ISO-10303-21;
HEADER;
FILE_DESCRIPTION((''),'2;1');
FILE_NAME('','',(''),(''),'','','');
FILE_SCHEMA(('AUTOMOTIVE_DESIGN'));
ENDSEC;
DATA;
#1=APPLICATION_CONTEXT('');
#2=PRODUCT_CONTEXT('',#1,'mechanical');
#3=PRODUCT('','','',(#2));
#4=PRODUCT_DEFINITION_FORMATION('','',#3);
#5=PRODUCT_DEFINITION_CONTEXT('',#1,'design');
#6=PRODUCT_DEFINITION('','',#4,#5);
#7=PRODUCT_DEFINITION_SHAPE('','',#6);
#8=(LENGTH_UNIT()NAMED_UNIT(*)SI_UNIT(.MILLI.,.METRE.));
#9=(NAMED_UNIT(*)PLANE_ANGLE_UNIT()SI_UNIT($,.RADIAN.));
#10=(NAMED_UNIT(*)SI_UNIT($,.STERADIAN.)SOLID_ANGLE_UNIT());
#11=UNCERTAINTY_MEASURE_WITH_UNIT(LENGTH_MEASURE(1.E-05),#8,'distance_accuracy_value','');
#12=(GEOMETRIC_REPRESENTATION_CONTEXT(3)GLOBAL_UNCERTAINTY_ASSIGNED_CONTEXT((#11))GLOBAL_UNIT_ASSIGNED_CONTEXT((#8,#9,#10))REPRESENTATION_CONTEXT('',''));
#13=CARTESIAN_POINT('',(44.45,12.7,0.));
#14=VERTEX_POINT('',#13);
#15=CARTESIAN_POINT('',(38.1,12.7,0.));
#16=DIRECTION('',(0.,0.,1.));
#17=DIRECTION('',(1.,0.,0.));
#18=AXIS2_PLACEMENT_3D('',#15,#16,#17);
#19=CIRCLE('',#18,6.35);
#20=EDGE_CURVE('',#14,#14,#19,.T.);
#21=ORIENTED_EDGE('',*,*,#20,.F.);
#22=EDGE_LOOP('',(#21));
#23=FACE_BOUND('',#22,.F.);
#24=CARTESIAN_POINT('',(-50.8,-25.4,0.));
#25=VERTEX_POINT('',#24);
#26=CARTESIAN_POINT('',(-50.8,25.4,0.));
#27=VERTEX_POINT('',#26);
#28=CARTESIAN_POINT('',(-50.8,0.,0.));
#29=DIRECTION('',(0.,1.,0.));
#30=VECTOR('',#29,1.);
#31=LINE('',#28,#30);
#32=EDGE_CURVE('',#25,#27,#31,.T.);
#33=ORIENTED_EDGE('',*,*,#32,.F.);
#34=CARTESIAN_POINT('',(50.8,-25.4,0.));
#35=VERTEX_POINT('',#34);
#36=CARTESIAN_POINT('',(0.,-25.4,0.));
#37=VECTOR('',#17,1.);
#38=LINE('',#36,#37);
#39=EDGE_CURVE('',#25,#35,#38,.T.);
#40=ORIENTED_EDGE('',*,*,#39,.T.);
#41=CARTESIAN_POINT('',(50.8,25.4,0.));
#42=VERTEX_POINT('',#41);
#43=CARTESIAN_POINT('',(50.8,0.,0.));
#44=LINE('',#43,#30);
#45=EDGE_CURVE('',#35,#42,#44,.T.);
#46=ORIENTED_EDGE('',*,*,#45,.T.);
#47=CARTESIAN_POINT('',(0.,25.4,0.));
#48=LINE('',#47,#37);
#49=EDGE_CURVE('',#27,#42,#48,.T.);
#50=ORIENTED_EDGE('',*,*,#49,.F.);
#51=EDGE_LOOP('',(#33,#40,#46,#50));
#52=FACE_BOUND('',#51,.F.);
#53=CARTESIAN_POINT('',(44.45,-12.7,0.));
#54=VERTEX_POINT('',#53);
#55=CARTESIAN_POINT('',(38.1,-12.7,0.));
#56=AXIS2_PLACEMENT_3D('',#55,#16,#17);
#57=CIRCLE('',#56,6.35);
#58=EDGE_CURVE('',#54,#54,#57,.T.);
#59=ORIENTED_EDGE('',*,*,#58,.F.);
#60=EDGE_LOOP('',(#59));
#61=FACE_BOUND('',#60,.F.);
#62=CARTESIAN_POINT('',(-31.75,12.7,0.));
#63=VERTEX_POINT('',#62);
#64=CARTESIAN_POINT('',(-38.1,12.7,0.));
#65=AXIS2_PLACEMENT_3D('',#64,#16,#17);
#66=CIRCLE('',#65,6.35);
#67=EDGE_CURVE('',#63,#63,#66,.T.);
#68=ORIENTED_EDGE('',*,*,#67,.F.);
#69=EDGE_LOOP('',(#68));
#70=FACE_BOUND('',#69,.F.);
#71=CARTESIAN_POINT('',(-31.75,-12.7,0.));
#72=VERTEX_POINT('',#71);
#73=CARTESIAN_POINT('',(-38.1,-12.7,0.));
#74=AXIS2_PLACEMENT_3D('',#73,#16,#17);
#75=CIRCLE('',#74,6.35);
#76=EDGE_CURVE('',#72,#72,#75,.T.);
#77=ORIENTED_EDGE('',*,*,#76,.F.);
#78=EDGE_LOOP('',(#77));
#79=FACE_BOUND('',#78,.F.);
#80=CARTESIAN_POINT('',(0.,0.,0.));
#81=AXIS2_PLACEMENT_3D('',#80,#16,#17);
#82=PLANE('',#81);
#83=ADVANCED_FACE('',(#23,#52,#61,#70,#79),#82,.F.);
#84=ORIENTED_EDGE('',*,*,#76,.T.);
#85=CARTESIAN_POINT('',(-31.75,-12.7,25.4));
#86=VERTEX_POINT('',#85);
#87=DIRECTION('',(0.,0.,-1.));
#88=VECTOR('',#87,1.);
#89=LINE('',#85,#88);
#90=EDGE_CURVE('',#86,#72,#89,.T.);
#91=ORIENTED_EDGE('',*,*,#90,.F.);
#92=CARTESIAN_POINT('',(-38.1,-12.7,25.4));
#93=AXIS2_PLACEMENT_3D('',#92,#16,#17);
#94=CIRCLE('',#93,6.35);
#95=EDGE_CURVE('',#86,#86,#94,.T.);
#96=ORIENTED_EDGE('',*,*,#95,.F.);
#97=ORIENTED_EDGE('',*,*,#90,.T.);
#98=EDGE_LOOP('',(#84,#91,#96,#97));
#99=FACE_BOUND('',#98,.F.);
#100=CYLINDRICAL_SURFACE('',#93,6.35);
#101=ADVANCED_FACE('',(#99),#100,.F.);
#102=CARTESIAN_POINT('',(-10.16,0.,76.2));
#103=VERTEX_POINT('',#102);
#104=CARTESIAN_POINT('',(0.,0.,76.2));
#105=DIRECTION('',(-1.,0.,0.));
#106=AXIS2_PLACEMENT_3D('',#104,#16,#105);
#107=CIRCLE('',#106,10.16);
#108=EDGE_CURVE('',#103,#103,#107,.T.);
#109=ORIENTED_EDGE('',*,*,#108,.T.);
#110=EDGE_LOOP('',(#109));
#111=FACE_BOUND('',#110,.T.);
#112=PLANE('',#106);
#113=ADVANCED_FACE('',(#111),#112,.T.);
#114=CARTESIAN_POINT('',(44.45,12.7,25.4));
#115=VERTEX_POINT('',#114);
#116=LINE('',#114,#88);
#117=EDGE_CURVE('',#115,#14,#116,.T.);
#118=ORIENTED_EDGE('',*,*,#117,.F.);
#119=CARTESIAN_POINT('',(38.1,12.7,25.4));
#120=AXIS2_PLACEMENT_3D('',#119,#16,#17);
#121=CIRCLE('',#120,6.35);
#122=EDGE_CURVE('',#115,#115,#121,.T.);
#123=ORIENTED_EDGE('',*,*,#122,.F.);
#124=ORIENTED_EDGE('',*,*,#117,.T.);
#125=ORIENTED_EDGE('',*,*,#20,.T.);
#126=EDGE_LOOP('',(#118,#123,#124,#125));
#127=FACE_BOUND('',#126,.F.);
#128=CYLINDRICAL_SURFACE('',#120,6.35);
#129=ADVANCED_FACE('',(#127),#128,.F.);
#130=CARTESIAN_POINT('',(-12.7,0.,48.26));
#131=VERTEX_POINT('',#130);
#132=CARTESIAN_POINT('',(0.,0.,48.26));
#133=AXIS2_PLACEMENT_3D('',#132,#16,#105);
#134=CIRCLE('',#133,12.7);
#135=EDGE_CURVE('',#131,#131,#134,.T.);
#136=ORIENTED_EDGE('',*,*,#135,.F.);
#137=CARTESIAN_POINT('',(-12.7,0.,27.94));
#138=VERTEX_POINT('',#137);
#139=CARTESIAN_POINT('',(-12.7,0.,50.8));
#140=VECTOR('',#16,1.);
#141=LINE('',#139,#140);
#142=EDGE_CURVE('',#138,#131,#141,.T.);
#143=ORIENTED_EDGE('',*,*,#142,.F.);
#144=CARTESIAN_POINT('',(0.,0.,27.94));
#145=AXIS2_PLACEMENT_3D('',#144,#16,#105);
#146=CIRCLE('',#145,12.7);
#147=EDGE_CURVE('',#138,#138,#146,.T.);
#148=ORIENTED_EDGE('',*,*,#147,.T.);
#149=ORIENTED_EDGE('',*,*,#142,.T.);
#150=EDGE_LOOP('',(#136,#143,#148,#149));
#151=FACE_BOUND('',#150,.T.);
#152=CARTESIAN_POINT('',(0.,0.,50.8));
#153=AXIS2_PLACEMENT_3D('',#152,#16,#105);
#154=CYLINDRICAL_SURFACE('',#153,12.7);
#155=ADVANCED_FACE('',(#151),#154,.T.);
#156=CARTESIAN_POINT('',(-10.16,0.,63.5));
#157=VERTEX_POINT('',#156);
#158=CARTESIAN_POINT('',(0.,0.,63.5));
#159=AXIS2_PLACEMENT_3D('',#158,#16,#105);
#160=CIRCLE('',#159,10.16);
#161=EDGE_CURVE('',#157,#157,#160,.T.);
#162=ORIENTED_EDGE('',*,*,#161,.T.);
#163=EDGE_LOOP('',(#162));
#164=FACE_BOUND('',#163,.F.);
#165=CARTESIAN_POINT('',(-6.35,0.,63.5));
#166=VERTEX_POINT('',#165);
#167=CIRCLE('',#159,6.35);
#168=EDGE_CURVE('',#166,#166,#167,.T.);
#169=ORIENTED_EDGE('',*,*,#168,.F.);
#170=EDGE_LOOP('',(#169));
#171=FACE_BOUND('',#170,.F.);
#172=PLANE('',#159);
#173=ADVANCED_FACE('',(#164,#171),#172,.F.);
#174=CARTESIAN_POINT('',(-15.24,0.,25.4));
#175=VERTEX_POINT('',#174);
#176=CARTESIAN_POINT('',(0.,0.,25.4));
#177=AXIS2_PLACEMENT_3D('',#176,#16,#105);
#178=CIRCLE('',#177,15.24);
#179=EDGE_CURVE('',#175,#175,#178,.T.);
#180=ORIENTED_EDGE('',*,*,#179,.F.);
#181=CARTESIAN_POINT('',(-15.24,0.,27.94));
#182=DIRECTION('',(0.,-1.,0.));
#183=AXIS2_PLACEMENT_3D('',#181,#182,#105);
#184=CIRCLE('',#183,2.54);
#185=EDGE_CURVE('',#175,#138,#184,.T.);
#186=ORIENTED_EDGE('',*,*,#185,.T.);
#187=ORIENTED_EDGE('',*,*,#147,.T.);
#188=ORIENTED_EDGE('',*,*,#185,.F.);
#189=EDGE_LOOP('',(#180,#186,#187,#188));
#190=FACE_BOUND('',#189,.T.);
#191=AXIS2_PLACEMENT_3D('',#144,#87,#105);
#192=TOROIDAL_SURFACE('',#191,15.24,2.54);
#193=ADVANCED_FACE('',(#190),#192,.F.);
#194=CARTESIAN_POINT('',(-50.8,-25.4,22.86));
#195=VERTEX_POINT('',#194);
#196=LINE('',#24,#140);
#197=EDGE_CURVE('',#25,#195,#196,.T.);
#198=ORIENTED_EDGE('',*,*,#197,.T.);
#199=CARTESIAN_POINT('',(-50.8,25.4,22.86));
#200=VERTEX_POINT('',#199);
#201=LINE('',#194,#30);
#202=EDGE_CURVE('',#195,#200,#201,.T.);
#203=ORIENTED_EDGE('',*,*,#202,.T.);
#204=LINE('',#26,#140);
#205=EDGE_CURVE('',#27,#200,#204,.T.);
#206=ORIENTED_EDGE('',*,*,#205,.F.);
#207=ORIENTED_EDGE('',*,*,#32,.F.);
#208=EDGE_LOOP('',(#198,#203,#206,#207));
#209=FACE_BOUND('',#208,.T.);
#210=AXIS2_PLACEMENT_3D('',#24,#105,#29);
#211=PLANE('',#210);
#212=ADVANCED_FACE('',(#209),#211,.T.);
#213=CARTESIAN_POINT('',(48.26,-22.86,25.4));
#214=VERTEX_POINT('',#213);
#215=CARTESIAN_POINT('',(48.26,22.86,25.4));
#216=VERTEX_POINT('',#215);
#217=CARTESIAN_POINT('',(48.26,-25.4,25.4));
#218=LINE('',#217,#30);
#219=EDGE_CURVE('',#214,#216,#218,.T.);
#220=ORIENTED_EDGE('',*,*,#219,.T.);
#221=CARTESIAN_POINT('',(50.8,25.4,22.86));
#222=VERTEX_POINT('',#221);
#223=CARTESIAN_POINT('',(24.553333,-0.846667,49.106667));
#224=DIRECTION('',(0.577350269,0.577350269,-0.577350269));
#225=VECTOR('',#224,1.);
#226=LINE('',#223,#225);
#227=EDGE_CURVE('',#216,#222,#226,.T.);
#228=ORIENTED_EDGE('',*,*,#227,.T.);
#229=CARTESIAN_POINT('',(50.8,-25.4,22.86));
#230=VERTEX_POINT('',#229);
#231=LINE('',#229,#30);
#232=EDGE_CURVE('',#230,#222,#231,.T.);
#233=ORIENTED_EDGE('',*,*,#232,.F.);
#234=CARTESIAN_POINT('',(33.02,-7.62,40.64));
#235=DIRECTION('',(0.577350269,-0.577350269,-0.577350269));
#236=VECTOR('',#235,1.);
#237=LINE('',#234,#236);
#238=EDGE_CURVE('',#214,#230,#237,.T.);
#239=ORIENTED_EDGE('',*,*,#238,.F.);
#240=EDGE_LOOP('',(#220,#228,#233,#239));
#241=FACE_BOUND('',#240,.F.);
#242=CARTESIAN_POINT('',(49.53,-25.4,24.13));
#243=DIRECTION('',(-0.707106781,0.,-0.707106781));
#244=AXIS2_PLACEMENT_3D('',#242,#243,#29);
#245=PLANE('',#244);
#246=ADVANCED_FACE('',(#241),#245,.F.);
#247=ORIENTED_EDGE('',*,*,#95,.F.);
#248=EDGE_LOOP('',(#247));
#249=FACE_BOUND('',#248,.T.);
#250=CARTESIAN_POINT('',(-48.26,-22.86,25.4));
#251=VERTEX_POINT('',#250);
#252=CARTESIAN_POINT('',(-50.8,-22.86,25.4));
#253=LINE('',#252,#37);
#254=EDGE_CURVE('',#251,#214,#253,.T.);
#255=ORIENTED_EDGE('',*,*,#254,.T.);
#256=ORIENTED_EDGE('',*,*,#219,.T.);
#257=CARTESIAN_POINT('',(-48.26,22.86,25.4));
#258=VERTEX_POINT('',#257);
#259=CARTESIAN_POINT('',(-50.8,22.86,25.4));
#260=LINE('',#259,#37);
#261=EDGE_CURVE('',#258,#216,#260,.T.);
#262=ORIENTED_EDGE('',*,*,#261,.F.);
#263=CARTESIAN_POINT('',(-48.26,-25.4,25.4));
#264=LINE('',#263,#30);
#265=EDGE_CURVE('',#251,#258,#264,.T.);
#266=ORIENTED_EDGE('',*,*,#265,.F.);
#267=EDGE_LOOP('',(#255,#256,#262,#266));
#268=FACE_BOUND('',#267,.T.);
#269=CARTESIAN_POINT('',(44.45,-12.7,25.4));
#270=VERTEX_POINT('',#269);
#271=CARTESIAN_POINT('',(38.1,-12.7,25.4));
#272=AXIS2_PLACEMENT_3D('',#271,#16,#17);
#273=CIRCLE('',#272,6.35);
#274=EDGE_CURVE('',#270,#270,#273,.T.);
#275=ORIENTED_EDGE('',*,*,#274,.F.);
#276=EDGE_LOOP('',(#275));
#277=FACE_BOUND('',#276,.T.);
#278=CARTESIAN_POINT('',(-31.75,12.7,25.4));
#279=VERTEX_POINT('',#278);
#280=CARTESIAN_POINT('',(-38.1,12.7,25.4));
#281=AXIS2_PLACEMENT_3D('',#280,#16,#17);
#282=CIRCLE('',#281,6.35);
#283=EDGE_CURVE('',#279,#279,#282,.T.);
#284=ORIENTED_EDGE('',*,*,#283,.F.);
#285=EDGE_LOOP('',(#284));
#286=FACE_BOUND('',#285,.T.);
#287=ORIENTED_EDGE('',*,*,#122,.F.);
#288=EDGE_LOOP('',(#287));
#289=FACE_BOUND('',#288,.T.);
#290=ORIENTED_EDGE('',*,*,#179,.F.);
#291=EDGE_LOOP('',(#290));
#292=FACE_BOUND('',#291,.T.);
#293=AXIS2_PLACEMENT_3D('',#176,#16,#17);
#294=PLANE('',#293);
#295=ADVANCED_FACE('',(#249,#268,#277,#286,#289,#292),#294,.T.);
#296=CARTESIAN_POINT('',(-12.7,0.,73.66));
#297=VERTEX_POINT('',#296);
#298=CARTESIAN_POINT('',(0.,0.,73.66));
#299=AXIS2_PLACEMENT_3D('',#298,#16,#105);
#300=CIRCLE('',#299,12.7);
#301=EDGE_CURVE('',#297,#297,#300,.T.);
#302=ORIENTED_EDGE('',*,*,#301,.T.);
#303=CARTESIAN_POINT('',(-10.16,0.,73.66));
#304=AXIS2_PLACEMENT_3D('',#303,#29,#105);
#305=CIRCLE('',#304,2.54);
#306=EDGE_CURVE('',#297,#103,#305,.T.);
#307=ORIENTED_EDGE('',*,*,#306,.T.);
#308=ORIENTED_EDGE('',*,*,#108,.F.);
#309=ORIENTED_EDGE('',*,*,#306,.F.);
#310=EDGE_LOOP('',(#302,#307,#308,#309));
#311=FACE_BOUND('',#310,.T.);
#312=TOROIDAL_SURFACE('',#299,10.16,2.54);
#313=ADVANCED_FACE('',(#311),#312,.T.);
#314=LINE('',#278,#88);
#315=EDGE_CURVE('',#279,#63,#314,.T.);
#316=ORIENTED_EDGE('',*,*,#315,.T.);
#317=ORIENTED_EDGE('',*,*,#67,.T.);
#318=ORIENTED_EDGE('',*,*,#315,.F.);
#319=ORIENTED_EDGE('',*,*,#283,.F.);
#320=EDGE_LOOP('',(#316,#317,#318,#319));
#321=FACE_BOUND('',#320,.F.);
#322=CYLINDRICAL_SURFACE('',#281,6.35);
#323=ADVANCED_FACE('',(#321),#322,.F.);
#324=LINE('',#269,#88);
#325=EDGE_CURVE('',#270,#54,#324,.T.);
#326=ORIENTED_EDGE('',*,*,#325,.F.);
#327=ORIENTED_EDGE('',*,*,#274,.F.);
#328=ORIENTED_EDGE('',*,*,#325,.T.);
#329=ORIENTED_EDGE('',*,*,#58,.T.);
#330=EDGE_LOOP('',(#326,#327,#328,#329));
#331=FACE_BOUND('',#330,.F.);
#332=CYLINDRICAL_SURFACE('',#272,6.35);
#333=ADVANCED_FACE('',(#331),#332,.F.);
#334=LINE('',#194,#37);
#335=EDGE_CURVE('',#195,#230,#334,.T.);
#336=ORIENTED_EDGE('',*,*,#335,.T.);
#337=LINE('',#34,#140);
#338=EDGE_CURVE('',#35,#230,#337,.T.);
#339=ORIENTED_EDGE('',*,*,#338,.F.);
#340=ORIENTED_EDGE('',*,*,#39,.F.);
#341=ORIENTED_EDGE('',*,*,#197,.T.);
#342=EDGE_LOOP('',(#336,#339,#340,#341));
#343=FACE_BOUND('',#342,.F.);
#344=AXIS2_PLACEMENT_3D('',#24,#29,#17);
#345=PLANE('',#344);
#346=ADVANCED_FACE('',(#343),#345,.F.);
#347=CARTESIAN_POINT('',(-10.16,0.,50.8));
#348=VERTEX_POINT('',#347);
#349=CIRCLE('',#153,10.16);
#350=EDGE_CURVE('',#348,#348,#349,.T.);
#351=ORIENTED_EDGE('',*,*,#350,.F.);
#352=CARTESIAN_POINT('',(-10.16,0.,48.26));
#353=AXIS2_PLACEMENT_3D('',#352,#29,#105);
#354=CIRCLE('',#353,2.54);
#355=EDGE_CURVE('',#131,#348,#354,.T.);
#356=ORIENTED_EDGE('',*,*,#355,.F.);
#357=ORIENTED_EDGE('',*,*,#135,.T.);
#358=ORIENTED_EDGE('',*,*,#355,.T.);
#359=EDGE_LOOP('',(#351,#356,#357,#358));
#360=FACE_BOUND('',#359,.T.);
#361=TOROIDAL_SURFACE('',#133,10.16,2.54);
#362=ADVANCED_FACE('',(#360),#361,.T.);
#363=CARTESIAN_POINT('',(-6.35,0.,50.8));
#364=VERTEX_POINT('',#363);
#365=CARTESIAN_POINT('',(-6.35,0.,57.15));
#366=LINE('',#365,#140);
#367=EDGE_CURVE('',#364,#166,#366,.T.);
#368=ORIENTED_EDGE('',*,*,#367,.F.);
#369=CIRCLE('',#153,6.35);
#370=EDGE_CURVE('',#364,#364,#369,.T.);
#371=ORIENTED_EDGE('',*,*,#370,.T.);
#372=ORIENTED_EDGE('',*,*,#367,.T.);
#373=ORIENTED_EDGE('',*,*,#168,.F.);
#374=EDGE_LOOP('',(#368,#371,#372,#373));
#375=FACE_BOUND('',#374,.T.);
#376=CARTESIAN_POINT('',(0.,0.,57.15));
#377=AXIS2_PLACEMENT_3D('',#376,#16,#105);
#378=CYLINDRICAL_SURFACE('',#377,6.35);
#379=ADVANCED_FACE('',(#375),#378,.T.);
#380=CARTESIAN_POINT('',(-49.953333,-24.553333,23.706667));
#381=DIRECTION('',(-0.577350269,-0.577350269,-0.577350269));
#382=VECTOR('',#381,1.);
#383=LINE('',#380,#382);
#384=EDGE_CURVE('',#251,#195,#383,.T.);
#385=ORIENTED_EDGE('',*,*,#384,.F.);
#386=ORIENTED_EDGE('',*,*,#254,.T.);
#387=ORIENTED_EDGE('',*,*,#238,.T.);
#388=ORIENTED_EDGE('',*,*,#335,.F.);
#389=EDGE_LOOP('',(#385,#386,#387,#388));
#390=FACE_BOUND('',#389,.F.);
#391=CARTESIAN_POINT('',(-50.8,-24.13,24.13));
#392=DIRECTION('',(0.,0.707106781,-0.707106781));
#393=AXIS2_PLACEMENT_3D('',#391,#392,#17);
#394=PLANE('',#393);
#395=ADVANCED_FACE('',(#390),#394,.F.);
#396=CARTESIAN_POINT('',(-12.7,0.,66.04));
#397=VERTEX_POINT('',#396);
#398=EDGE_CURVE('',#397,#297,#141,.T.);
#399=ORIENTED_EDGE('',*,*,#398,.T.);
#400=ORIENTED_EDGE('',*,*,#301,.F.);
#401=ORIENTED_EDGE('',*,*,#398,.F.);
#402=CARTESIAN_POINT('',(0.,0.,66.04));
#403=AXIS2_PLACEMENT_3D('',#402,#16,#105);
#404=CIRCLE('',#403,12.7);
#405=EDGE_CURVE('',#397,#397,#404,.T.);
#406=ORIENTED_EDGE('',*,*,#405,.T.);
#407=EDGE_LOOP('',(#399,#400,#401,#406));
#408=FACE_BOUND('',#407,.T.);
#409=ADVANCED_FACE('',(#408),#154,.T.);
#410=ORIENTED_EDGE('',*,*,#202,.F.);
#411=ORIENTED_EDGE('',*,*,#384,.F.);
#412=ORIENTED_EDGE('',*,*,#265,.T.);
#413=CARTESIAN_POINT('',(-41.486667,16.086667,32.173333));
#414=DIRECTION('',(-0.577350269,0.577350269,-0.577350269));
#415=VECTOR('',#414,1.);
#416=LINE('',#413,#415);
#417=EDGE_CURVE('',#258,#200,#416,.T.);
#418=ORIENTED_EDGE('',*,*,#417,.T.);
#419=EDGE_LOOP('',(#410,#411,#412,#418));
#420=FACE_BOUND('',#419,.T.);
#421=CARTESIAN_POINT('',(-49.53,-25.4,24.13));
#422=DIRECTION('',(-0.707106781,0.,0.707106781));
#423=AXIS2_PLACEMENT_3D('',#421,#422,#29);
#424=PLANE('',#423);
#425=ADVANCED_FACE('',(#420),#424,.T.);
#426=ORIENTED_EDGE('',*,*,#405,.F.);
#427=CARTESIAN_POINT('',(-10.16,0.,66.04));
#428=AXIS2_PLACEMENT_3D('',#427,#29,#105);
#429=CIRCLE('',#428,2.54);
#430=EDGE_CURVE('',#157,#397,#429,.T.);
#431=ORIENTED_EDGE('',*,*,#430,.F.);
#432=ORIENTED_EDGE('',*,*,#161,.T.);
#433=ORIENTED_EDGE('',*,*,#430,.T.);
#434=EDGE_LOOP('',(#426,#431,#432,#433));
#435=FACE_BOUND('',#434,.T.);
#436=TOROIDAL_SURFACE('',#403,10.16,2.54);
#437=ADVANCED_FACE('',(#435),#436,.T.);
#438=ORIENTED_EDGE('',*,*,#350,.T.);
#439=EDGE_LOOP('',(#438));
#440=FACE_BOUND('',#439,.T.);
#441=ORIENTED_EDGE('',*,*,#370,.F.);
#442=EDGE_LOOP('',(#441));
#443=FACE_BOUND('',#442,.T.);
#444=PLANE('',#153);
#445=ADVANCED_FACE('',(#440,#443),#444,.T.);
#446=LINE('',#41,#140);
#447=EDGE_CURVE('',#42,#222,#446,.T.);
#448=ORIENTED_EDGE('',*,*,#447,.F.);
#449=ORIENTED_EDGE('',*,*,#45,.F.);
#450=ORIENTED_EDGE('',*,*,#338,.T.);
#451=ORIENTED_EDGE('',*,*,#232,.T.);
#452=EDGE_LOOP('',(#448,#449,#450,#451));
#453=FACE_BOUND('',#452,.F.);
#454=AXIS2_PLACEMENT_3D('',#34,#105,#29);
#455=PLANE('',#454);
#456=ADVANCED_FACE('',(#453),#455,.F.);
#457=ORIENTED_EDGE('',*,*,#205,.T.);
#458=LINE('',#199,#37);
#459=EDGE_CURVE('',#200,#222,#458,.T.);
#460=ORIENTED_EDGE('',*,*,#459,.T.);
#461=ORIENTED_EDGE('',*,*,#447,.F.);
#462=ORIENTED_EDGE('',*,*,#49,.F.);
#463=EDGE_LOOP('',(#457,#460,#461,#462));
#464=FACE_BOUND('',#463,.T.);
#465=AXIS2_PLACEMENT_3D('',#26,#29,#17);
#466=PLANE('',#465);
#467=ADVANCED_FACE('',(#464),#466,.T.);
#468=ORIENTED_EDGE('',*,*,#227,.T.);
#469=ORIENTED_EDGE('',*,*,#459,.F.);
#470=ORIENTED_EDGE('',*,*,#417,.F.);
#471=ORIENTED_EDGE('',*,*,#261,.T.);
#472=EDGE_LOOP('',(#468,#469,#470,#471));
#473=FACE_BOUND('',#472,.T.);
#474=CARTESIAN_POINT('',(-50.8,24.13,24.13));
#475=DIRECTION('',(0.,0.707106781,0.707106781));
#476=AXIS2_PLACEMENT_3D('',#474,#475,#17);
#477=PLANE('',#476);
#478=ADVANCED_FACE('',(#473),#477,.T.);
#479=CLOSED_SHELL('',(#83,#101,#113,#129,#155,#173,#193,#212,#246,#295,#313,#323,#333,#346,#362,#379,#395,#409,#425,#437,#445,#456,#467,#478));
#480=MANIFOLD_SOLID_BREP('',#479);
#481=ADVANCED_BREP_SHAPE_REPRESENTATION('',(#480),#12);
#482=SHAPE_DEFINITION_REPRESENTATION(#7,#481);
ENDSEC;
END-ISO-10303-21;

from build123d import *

# Parameters (mm, degrees)
F0_W     = 101.6
F0_H     = 50.8
F1_DEPTH = 25.4
F2_R     = 6.35
F3_DEPTH = 25.401
F4_W     = 12.7
F4_H     = 50.8
F6_W     = 18.9611997128
F6_H     = 12.7
F8_R     = 2.54
F9_SIZE  = 2.54


with BuildPart() as f1:
    # F0 (on Top) → F1 (new body)
    with BuildSketch(Plane.XY):
        Rectangle(F0_W, F0_H)
    extrude(amount=F1_DEPTH)

    # F2 (on face) → F3 (cut, through all)
    with BuildSketch(Plane.XY.offset(25.4)):
        with Locations((38.1, -12.7)):
            Circle(F2_R)
        with Locations((38.1, 12.7)):
            Circle(F2_R)
        with Locations((-38.1, 12.7)):
            Circle(F2_R)
        with Locations((-38.1, -12.7)):
            Circle(F2_R)
    extrude(amount=-F3_DEPTH, mode=Mode.SUBTRACT)

    # F4 (on Front) → F5 (revolve)
    with BuildSketch(Plane.XZ):
        with Locations((-6.35, 50.8)):
            Rectangle(F4_W, F4_H)
    revolve(axis=Axis((0, 0, 50.8), (0, 0, 1)))

    # F6 (on Front) → F7 (revolve, cut)
    with BuildSketch(Plane.XZ):
        with Locations((-15.8305998564, 57.15)):
            Rectangle(F6_W, F6_H)
    revolve(axis=Axis((0, 0, 46.6448366642), (0, 0, 1)), mode=Mode.SUBTRACT)

    # F8
    f8_edges = [f1.edges().sort_by_distance(p)[0] for p in [
        (12.7, 0, 50.8),
        (12.7, 0, 76.2),
        (12.7, 0, 25.4),
        (12.7, 0, 63.5),
    ]]
    fillet(f8_edges, radius=F8_R)

    # F9
    f9_edges = [f1.edges().sort_by_distance(p)[0] for p in [
        (0, 25.4, 25.4),
        (50.8, 0, 25.4),
        (0, -25.4, 25.4),
        (-50.8, 0, 25.4),
    ]]
    chamfer(f9_edges, length=F9_SIZE)


solid = f1.part
